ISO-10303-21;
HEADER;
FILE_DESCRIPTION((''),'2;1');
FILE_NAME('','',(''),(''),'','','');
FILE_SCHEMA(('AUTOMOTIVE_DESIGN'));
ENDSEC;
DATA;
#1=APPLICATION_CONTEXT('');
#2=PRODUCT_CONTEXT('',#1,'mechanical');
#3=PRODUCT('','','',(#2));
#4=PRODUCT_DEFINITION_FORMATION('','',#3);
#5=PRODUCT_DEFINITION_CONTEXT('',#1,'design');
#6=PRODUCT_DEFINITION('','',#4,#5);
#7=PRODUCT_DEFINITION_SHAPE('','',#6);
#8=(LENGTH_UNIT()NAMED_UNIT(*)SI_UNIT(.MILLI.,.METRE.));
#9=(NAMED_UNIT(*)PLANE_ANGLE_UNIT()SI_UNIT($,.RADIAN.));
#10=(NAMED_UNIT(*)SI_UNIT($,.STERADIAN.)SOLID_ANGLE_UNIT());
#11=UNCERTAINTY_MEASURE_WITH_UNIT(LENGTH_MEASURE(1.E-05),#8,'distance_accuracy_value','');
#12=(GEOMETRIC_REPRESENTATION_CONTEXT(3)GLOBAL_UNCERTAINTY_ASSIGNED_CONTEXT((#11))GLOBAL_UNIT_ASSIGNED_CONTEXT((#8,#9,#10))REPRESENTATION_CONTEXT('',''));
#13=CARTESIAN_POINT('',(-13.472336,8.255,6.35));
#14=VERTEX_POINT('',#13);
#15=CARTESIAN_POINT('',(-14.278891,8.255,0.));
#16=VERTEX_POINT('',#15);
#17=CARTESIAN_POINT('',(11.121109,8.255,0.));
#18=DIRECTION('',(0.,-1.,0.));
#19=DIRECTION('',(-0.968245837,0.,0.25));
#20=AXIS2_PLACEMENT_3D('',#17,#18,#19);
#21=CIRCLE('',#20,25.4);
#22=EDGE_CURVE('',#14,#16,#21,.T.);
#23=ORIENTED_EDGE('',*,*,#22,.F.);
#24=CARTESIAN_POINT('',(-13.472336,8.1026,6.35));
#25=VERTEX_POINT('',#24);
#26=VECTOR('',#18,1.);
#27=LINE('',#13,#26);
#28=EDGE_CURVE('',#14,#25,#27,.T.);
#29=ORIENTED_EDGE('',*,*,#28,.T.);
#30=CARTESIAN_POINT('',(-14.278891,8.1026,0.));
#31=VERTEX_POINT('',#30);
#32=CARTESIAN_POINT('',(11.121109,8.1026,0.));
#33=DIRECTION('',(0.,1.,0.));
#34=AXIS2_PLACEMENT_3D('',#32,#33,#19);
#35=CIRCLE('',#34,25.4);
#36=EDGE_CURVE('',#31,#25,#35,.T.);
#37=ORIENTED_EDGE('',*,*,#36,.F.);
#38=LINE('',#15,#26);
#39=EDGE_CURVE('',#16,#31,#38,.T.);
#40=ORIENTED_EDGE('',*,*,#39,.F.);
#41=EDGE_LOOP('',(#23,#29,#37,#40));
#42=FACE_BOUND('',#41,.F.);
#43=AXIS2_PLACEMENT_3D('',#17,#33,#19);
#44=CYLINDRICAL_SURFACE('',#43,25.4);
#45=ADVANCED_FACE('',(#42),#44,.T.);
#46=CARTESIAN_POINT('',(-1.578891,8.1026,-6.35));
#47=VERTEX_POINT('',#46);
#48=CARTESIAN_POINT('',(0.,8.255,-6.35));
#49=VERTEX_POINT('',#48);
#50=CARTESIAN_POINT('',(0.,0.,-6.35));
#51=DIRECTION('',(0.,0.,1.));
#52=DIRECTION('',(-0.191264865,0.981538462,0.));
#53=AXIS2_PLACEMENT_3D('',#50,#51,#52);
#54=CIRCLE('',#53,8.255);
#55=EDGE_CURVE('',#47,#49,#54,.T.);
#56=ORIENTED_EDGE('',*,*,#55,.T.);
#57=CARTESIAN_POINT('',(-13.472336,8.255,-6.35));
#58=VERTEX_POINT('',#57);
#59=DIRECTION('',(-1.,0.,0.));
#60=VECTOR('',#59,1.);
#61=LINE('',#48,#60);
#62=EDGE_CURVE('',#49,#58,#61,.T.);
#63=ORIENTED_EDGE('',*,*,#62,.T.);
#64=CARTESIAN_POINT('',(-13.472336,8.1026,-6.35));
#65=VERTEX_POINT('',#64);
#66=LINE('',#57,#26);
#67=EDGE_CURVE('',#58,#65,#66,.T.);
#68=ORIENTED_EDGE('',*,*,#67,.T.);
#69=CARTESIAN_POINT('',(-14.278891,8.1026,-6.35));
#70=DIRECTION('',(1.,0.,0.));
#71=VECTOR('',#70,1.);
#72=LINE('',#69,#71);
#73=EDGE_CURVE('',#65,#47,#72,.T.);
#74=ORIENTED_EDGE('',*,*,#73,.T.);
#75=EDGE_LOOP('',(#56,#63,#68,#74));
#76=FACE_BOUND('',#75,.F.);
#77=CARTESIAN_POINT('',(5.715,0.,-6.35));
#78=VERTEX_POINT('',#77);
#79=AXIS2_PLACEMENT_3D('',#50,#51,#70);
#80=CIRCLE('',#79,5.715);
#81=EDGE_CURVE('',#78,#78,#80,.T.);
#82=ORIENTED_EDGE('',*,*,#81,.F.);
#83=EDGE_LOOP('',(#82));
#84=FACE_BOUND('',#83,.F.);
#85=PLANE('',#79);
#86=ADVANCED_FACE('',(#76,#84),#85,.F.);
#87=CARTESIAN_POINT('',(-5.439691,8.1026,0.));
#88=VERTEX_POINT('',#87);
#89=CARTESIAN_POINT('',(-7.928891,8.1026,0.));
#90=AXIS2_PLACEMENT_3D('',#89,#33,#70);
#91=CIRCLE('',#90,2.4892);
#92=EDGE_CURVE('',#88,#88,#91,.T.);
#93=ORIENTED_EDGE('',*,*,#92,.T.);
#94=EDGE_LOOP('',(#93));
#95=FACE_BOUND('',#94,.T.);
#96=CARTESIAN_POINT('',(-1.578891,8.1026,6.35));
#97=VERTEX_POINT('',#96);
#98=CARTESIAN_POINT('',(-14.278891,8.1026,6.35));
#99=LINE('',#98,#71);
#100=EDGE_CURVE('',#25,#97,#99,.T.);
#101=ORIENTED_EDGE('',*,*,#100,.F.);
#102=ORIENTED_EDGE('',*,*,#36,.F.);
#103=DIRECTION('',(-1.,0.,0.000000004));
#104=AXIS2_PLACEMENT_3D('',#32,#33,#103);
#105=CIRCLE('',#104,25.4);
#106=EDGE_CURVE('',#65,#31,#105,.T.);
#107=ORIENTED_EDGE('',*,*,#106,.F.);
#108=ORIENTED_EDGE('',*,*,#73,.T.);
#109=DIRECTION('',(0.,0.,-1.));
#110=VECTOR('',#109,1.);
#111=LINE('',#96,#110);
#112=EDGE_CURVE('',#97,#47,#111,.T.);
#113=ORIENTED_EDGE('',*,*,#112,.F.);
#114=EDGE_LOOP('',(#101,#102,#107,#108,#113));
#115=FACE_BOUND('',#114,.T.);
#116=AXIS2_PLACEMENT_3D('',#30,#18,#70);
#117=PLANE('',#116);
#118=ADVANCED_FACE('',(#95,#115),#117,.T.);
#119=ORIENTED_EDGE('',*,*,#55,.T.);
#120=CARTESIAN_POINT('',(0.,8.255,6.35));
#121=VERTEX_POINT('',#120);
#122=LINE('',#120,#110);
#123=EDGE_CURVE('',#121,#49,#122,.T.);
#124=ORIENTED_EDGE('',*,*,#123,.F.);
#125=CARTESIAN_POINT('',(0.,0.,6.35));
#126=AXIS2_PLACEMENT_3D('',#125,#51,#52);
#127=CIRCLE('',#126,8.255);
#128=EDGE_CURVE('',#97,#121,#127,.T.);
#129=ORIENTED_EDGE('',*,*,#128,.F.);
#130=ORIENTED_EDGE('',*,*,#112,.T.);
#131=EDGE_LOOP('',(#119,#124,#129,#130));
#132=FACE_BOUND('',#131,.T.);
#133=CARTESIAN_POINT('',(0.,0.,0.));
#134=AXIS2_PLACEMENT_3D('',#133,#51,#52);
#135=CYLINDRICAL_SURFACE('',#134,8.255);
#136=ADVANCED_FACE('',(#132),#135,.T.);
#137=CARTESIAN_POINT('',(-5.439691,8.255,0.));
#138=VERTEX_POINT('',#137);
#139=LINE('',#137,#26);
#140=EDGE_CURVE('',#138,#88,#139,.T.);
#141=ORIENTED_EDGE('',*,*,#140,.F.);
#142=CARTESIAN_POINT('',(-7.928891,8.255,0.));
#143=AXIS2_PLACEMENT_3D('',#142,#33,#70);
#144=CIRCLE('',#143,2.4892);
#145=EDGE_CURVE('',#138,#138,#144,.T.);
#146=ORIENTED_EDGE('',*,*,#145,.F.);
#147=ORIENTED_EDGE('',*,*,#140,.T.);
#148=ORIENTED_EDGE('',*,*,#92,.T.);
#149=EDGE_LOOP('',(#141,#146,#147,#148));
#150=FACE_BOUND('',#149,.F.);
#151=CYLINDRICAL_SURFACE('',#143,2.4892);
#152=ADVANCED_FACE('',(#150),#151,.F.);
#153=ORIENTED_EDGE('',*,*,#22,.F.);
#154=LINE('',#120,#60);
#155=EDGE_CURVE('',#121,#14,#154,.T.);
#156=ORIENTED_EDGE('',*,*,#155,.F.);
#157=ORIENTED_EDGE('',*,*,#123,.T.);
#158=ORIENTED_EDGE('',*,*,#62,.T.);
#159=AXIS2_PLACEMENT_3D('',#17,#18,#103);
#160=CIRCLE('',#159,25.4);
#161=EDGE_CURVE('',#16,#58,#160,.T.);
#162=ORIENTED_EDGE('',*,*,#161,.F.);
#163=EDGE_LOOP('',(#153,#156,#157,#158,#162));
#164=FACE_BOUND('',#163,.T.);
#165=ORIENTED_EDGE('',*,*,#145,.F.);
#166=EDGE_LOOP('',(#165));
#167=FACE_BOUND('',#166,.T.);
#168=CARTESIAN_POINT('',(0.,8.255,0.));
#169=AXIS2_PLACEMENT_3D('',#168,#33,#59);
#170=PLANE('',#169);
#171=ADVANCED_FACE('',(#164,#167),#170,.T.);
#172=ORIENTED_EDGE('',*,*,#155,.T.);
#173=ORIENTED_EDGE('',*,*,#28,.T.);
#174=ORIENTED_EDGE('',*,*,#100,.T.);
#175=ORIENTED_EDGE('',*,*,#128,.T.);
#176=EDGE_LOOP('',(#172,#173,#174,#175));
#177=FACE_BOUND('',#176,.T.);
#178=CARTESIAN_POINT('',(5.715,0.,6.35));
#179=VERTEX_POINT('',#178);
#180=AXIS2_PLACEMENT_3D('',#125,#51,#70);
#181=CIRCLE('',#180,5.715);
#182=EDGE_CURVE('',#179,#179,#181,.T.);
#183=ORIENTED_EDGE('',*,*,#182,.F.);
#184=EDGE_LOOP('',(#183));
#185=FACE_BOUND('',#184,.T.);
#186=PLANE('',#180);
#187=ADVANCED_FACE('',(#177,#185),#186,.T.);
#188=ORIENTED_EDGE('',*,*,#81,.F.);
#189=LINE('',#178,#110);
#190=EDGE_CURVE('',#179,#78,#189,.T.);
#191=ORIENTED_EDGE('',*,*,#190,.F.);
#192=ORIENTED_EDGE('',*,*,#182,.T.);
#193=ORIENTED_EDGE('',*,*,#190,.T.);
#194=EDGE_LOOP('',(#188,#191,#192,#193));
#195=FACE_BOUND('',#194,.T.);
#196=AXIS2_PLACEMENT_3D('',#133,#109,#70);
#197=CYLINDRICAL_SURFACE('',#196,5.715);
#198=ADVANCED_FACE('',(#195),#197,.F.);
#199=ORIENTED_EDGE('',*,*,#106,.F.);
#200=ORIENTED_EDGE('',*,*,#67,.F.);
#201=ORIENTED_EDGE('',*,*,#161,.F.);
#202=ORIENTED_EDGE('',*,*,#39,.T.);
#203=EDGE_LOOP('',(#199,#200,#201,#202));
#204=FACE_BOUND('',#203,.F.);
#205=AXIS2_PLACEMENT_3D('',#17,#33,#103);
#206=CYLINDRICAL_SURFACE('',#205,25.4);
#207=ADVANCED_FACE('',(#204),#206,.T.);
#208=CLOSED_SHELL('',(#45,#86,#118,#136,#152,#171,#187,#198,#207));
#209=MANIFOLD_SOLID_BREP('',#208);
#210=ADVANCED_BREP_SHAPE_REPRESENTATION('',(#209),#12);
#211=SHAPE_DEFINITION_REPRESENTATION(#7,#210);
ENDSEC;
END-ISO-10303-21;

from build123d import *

# Parameters (mm, degrees)
SKETCH1_R           = 8.255
SKETCH1_R_2         = 5.715
BOSS_EXTRUDE1_DEPTH = 6.35
CUT_EXTRUDE1_REACH  = 18.51
SKETCH5_R           = 2.4892


with BuildPart() as part:
    # Sketch1 → Boss-Extrude1 (new body, symmetric)
    with BuildSketch(Plane.XY):
        Circle(SKETCH1_R)
        Circle(SKETCH1_R_2, mode=Mode.SUBTRACT)
        with BuildLine():
            ThreePointArc((-1.578891459, 8.1026), (-0.793114746, 8.216811669), (0, 8.255))
            Line((0, 8.255), (-14.278891459, 8.255))
            Line((-14.278891459, 8.255), (-14.278891459, 8.1026))
            Line((-14.278891459, 8.1026), (-1.578891459, 8.1026))
        make_face()
    extrude(amount=BOSS_EXTRUDE1_DEPTH, both=True)

    # Sketch5 → Cut-Extrude1 (cut, up to next)
    with BuildSketch(Plane(origin=(0, 8.255, 0), x_dir=(1, 0, 0), z_dir=(0, 1, 0)), mode=Mode.PRIVATE) as cut_extrude1_sk1:
        with BuildLine():
            ThreePointArc((-14.278891459, -1.01e-07), (-14.076445751, 3.200508979), (-13.472335708, 6.35))
            Line((-13.472335708, 6.35), (-14.278891459, 6.35))
            Line((-14.278891459, 6.35), (-14.278891459, -1.01e-07))
        make_face()
    cut_extrude1_tool1 = extrude(cut_extrude1_sk1.sketch, amount=-CUT_EXTRUDE1_REACH, mode=Mode.PRIVATE) & part.part
    add(cut_extrude1_tool1.solids().sort_by_distance((-14.037598, 8.255, -4.767585))[0], mode=Mode.SUBTRACT)
    # Sketch5 → Cut-Extrude1 (cut, up to next)
    with BuildSketch(Plane(origin=(0, 8.255, 0), x_dir=(1, 0, 0), z_dir=(0, 1, 0)), mode=Mode.PRIVATE) as cut_extrude1_sk2:
        with BuildLine():
            ThreePointArc((-13.472335708, -6.35), (-14.076445738, -3.200509079), (-14.278891459, -1.01e-07))
            Line((-14.278891459, -1.01e-07), (-14.278891459, -6.35))
            Line((-14.278891459, -6.35), (-13.472335708, -6.35))
        make_face()
    cut_extrude1_tool2 = extrude(cut_extrude1_sk2.sketch, amount=-CUT_EXTRUDE1_REACH, mode=Mode.PRIVATE) & part.part
    add(cut_extrude1_tool2.solids().sort_by_distance((-14.037598, 8.255, 4.767585))[0], mode=Mode.SUBTRACT)
    # Sketch5 → Cut-Extrude1 (cut, up to next)
    with BuildSketch(Plane(origin=(0, 8.255, 0), x_dir=(1, 0, 0), z_dir=(0, 1, 0)), mode=Mode.PRIVATE) as cut_extrude1_sk3:
        with Locations((-7.928891459, 0)):
            Circle(SKETCH5_R)
    cut_extrude1_tool3 = extrude(cut_extrude1_sk3.sketch, amount=-CUT_EXTRUDE1_REACH, mode=Mode.PRIVATE) & part.part
    add(cut_extrude1_tool3.solids().sort_by_distance((-7.928891, 8.255, 0))[0], mode=Mode.SUBTRACT)


solid = part.part
